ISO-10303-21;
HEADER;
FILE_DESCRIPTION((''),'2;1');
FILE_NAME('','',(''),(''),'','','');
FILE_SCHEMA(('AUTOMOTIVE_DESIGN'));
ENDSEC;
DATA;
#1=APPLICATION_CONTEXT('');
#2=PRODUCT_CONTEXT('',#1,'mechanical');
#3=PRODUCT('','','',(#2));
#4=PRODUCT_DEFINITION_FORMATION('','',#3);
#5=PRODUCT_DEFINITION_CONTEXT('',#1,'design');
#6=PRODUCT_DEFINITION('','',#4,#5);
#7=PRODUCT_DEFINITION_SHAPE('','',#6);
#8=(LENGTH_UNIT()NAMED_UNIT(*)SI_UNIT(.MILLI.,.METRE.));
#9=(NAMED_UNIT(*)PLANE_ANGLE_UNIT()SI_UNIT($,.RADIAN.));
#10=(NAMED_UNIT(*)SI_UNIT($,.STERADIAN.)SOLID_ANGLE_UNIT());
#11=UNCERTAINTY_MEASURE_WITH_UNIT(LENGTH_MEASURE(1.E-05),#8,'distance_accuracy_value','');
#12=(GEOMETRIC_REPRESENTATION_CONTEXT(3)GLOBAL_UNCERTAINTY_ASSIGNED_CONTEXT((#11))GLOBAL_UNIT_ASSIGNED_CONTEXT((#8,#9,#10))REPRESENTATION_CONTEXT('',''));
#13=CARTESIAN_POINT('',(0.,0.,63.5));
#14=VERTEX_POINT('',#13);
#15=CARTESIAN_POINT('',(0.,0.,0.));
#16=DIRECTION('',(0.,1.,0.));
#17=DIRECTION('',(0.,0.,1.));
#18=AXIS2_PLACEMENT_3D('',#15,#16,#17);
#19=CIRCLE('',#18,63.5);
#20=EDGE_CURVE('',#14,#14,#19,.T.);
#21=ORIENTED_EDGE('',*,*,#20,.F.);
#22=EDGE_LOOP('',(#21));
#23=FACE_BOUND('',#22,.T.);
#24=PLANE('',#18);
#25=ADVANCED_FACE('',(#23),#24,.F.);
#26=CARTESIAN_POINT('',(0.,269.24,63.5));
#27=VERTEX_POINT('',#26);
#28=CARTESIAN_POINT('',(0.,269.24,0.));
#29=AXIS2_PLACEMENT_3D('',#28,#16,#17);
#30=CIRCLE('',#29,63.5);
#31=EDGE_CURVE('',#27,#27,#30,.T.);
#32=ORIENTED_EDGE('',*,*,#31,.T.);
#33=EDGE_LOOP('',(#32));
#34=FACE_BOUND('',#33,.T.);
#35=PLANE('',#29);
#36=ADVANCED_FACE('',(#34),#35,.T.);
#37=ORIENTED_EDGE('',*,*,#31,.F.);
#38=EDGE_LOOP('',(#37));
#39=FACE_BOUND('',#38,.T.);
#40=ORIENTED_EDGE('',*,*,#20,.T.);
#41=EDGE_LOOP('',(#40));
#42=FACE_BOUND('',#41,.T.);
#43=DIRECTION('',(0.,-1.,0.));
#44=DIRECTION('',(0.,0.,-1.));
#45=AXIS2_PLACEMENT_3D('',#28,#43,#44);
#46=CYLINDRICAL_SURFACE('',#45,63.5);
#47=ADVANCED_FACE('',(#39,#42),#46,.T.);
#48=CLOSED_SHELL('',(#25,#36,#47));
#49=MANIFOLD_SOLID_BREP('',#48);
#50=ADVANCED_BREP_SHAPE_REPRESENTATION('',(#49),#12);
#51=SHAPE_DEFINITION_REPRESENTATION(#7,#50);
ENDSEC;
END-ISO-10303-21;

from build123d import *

# Parameters (mm, degrees)
MAIN_PARACHUTE_BAG_PROFILE_R  = 63.5
MAIN_PARACHUTE_BAG_BODY_DEPTH = 269.24


with BuildPart() as part:
    # Main Parachute Bag Profile → Main Parachute Bag Body (new body)
    with BuildSketch(Plane(origin=(0, 0, 0), x_dir=(1, 0, 0), z_dir=(0, 1, 0))):
        with Locations(Location((0, 0, 0), (0, 0, 270))):
            Circle(MAIN_PARACHUTE_BAG_PROFILE_R)
    extrude(amount=MAIN_PARACHUTE_BAG_BODY_DEPTH)


solid = part.part
